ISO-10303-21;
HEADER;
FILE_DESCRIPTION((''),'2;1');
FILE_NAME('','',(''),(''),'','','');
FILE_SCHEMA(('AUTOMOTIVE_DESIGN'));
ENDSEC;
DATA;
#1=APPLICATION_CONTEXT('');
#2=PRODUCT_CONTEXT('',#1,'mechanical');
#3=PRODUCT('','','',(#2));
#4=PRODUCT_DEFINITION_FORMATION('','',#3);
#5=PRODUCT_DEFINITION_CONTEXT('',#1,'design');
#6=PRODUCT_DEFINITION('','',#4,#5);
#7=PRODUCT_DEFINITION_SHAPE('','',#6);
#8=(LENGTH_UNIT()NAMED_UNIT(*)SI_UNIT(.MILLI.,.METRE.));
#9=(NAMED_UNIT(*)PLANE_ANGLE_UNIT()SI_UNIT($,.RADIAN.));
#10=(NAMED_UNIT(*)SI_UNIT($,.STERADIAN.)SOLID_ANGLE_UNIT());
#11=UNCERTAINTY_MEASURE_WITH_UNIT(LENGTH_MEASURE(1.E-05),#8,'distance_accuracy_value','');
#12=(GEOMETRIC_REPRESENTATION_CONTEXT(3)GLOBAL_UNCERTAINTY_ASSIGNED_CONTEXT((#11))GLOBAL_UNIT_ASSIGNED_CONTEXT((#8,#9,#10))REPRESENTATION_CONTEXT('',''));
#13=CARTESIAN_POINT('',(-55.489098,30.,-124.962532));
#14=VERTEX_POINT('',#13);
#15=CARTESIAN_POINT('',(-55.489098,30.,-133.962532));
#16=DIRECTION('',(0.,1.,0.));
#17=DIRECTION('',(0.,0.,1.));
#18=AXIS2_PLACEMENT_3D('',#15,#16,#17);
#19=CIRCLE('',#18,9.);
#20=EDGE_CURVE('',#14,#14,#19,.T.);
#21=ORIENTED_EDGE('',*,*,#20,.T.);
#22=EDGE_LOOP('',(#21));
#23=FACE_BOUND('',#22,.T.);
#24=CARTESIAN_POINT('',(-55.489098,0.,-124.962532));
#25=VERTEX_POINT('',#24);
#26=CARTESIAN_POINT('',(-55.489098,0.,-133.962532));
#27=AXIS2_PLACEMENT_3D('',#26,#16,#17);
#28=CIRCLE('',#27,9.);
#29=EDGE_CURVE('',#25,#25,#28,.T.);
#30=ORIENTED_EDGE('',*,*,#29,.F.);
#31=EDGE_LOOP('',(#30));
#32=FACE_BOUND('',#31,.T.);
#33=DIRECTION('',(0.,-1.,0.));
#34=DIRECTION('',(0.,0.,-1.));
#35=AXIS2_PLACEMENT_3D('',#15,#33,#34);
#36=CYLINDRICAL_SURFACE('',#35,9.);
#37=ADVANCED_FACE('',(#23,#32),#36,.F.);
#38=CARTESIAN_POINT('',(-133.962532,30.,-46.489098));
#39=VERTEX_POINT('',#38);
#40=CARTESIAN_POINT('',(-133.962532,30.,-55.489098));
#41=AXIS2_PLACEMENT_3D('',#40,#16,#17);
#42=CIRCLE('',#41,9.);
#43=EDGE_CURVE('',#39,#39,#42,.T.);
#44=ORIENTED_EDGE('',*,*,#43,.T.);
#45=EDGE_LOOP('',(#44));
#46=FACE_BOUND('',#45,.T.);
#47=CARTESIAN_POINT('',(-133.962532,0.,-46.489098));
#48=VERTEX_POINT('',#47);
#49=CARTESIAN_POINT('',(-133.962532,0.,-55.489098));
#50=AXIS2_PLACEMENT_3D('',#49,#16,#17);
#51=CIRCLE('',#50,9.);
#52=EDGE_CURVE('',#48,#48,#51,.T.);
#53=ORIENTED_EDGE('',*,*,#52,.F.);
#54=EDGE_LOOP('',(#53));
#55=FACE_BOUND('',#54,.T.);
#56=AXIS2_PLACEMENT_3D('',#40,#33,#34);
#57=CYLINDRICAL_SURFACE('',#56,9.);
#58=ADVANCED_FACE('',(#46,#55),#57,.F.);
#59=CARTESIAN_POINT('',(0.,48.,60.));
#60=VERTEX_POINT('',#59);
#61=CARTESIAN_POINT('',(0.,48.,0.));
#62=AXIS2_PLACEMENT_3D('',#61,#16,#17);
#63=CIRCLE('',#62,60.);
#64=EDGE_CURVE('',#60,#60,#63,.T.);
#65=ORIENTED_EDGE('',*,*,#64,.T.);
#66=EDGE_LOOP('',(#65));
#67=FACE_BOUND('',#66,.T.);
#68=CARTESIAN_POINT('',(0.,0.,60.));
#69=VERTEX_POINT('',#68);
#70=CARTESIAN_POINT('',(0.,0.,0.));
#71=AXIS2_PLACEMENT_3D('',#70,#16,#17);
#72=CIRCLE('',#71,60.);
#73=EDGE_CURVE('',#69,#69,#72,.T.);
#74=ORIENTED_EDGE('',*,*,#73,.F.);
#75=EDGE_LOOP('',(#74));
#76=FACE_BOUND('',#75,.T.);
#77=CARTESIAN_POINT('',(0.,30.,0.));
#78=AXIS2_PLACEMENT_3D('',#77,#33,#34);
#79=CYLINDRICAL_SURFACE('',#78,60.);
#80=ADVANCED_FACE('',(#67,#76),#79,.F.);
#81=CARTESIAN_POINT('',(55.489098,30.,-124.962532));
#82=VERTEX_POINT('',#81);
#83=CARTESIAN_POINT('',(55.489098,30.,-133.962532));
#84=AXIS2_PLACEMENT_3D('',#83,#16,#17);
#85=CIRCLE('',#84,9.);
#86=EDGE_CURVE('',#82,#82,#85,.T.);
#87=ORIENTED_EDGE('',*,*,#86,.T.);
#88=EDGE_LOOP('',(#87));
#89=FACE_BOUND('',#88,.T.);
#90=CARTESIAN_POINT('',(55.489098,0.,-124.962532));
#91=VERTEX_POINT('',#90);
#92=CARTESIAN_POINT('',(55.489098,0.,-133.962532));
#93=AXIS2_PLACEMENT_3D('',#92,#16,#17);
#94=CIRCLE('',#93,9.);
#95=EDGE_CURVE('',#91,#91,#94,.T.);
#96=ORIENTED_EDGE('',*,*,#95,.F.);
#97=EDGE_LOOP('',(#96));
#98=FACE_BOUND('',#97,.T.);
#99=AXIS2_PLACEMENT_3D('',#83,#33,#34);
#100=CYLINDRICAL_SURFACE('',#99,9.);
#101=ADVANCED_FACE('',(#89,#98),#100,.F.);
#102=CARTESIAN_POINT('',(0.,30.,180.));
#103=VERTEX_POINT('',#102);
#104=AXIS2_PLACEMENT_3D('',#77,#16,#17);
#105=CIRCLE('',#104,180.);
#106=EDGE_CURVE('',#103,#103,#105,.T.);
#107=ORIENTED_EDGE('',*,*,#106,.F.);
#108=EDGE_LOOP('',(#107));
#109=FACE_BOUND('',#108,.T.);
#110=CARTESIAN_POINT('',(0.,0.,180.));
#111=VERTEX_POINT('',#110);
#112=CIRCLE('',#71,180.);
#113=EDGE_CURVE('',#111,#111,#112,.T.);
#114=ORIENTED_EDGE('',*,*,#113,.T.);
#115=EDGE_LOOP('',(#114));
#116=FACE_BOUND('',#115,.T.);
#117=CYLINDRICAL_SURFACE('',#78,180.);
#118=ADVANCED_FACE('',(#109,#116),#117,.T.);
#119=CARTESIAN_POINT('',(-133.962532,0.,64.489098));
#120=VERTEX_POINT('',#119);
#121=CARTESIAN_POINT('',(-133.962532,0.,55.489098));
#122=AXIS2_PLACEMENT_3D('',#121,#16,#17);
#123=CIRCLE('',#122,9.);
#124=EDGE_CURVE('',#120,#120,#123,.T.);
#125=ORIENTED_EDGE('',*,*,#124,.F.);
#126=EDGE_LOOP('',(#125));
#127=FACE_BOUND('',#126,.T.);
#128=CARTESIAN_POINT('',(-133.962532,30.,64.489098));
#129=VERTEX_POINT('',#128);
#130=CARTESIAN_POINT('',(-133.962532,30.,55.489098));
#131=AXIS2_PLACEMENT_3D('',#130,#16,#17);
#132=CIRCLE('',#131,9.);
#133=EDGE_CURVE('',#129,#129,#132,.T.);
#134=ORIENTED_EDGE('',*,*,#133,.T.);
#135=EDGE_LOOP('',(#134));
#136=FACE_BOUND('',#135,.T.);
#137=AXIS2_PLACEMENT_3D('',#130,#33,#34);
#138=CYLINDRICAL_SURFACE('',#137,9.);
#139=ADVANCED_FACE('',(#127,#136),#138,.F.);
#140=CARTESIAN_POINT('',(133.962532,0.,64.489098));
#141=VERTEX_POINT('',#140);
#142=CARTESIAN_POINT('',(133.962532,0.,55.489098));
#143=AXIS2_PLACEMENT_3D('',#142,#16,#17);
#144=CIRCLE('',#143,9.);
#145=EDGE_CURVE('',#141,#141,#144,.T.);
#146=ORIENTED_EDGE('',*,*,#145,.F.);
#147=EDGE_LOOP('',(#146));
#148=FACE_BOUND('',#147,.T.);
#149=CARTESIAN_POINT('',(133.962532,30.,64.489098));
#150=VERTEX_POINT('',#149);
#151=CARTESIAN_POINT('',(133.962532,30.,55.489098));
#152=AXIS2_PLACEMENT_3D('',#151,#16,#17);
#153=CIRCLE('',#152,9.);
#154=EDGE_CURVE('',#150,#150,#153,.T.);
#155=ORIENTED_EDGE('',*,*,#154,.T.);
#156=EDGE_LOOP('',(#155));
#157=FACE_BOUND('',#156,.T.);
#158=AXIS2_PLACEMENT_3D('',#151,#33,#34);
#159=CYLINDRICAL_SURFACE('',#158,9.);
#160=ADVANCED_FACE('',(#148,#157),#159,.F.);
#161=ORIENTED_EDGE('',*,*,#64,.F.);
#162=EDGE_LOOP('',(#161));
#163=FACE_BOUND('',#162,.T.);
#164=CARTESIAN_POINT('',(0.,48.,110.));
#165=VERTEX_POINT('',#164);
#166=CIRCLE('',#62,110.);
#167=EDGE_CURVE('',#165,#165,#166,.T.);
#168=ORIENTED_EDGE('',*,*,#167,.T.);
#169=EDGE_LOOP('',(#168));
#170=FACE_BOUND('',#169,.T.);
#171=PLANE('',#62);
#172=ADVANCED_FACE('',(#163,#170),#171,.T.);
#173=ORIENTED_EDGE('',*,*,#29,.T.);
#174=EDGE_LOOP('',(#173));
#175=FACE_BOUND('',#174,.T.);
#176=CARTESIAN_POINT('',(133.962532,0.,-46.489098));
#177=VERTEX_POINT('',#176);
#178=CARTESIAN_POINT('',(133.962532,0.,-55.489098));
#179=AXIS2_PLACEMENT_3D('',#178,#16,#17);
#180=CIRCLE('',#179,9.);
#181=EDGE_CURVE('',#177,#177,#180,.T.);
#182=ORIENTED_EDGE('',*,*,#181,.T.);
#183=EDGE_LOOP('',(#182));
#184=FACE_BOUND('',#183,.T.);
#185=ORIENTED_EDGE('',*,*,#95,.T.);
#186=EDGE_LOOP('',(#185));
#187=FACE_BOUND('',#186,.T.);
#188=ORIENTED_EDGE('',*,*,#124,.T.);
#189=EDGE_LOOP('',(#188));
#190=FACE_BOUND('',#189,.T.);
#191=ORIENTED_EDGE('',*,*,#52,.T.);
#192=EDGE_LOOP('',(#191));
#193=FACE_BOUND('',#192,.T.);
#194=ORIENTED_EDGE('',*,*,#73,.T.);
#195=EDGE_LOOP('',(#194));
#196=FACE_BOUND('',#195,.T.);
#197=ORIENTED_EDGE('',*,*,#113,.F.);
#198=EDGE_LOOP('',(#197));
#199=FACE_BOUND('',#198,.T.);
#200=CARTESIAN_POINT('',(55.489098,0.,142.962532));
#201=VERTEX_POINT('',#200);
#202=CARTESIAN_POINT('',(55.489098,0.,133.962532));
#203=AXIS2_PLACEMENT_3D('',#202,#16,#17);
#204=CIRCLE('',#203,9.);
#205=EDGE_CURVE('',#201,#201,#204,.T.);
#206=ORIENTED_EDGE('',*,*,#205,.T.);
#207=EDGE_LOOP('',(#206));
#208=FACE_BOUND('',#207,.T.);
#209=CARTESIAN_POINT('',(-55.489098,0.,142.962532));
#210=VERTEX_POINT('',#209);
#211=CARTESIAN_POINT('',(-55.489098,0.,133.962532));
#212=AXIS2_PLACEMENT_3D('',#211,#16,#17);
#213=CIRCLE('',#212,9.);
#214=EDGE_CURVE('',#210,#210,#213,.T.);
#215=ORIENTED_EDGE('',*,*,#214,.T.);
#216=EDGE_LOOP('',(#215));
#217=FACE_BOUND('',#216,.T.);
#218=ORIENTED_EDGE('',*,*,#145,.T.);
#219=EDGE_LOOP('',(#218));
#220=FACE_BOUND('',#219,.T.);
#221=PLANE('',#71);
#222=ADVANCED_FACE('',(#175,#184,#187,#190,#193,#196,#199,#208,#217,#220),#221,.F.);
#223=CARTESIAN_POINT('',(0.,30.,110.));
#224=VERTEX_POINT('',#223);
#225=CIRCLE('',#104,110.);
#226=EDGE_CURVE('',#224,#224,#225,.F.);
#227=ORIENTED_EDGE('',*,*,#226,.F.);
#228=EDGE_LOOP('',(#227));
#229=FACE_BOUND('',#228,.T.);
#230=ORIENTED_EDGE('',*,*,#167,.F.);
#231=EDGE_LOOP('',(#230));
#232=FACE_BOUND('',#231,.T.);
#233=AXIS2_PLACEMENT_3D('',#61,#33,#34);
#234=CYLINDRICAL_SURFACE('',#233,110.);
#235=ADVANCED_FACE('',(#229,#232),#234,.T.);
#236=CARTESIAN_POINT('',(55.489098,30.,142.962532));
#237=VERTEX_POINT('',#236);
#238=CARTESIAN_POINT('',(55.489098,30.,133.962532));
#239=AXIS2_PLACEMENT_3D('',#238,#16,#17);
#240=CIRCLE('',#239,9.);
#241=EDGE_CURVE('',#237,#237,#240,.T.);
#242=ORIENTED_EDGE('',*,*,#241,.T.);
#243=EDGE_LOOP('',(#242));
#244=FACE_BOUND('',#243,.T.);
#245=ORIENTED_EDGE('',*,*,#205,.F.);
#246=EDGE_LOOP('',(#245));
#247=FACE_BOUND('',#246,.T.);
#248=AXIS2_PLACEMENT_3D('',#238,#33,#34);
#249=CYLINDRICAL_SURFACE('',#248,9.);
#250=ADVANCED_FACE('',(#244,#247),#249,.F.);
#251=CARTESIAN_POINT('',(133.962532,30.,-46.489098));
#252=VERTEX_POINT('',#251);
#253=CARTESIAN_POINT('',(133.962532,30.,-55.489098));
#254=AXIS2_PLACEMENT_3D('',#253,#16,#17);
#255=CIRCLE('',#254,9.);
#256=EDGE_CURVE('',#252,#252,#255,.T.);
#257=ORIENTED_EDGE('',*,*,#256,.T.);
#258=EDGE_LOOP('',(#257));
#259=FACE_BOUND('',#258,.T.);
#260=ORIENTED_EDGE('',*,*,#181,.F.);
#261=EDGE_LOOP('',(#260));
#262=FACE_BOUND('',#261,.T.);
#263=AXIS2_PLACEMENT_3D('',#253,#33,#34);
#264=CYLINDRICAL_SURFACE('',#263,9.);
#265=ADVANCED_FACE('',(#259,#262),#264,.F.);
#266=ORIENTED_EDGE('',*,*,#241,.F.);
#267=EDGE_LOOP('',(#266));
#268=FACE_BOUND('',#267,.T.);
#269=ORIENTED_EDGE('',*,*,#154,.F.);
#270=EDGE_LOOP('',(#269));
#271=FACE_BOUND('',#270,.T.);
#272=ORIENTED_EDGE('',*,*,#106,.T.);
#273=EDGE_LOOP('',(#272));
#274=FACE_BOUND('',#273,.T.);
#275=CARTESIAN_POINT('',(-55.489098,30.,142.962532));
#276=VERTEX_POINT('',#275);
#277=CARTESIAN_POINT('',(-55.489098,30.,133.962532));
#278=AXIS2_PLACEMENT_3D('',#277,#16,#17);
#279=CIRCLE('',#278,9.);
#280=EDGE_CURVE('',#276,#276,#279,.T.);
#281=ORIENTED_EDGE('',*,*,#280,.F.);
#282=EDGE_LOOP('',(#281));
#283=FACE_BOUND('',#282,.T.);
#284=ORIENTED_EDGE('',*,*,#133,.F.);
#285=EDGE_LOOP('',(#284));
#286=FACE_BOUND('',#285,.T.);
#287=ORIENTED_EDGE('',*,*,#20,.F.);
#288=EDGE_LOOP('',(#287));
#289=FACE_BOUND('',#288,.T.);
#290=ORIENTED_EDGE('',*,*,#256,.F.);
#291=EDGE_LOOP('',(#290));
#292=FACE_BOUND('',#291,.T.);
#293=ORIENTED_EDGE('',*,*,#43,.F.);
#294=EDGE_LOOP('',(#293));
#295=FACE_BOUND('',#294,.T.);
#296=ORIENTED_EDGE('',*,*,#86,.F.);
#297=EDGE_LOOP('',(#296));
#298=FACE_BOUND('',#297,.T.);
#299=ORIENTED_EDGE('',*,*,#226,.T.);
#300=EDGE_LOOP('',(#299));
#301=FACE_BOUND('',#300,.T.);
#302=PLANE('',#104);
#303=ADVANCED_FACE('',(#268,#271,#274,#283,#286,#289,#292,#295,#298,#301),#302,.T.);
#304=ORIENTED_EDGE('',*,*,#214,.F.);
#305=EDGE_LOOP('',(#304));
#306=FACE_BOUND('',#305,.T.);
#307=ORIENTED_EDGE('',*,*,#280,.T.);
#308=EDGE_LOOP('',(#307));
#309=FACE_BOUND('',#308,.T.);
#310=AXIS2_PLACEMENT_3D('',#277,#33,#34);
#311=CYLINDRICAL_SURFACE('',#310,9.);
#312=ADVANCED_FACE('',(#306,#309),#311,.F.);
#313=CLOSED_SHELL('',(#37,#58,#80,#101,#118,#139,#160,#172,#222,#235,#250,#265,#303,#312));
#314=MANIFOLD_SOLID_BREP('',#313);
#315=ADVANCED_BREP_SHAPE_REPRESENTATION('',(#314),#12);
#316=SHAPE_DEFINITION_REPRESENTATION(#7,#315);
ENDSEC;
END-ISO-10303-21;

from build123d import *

# Parameters (mm, degrees)
F_01_FLANGE_PROFILE_R     = 180
F_01_FLANGE_PROFILE_R_2   = 60
F_01_FLANGE_PROFILE_R_3   = 9
F_01_FLANGE_EXTRUDE_DEPTH = 30
F_02_HUB_PROFILE_R        = 110
F_02_HUB_PROFILE_R_2      = 60
F_02_LOCATING_HUB_DEPTH   = 48


with BuildPart() as part:
    # 01_Flange_Profile → 01_Flange_Extrude (new body)
    with BuildSketch(Plane(origin=(0, 0, 0), x_dir=(1, 0, 0), z_dir=(0, 1, 0))):
        with Locations(Location((0, 0, 0), (0, 0, 270))):
            Circle(F_01_FLANGE_PROFILE_R)
        with Locations(Location((0, 0, 0), (0, 0, 270))):
            Circle(F_01_FLANGE_PROFILE_R_2, mode=Mode.SUBTRACT)
        with Locations(Location((133.962532214, 55.489097693, 0), (0, 0, 270))):
            Circle(F_01_FLANGE_PROFILE_R_3, mode=Mode.SUBTRACT)
        with Locations(Location((55.489097693, 133.962532214, 0), (0, 0, 270))):
            Circle(F_01_FLANGE_PROFILE_R_3, mode=Mode.SUBTRACT)
        with Locations(Location((-55.489097693, 133.962532214, 0), (0, 0, 270))):
            Circle(F_01_FLANGE_PROFILE_R_3, mode=Mode.SUBTRACT)
        with Locations(Location((-133.962532214, 55.489097693, 0), (0, 0, 270))):
            Circle(F_01_FLANGE_PROFILE_R_3, mode=Mode.SUBTRACT)
        with Locations(Location((-133.962532214, -55.489097693, 0), (0, 0, 270))):
            Circle(F_01_FLANGE_PROFILE_R_3, mode=Mode.SUBTRACT)
        with Locations(Location((-55.489097693, -133.962532214, 0), (0, 0, 270))):
            Circle(F_01_FLANGE_PROFILE_R_3, mode=Mode.SUBTRACT)
        with Locations(Location((55.489097693, -133.962532214, 0), (0, 0, 270))):
            Circle(F_01_FLANGE_PROFILE_R_3, mode=Mode.SUBTRACT)
        with Locations(Location((133.962532214, -55.489097693, 0), (0, 0, 270))):
            Circle(F_01_FLANGE_PROFILE_R_3, mode=Mode.SUBTRACT)
    extrude(amount=F_01_FLANGE_EXTRUDE_DEPTH)

    # 02_Hub_Profile → 02_Locating_Hub (add)
    with BuildSketch(Plane(origin=(0, 0, 0), x_dir=(1, 0, 0), z_dir=(0, 1, 0))):
        with Locations(Location((0, 0, 0), (0, 0, 270))):
            Circle(F_02_HUB_PROFILE_R)
        with Locations(Location((0, 0, 0), (0, 0, 270))):
            Circle(F_02_HUB_PROFILE_R_2, mode=Mode.SUBTRACT)
    extrude(amount=F_02_LOCATING_HUB_DEPTH)


solid = part.part
